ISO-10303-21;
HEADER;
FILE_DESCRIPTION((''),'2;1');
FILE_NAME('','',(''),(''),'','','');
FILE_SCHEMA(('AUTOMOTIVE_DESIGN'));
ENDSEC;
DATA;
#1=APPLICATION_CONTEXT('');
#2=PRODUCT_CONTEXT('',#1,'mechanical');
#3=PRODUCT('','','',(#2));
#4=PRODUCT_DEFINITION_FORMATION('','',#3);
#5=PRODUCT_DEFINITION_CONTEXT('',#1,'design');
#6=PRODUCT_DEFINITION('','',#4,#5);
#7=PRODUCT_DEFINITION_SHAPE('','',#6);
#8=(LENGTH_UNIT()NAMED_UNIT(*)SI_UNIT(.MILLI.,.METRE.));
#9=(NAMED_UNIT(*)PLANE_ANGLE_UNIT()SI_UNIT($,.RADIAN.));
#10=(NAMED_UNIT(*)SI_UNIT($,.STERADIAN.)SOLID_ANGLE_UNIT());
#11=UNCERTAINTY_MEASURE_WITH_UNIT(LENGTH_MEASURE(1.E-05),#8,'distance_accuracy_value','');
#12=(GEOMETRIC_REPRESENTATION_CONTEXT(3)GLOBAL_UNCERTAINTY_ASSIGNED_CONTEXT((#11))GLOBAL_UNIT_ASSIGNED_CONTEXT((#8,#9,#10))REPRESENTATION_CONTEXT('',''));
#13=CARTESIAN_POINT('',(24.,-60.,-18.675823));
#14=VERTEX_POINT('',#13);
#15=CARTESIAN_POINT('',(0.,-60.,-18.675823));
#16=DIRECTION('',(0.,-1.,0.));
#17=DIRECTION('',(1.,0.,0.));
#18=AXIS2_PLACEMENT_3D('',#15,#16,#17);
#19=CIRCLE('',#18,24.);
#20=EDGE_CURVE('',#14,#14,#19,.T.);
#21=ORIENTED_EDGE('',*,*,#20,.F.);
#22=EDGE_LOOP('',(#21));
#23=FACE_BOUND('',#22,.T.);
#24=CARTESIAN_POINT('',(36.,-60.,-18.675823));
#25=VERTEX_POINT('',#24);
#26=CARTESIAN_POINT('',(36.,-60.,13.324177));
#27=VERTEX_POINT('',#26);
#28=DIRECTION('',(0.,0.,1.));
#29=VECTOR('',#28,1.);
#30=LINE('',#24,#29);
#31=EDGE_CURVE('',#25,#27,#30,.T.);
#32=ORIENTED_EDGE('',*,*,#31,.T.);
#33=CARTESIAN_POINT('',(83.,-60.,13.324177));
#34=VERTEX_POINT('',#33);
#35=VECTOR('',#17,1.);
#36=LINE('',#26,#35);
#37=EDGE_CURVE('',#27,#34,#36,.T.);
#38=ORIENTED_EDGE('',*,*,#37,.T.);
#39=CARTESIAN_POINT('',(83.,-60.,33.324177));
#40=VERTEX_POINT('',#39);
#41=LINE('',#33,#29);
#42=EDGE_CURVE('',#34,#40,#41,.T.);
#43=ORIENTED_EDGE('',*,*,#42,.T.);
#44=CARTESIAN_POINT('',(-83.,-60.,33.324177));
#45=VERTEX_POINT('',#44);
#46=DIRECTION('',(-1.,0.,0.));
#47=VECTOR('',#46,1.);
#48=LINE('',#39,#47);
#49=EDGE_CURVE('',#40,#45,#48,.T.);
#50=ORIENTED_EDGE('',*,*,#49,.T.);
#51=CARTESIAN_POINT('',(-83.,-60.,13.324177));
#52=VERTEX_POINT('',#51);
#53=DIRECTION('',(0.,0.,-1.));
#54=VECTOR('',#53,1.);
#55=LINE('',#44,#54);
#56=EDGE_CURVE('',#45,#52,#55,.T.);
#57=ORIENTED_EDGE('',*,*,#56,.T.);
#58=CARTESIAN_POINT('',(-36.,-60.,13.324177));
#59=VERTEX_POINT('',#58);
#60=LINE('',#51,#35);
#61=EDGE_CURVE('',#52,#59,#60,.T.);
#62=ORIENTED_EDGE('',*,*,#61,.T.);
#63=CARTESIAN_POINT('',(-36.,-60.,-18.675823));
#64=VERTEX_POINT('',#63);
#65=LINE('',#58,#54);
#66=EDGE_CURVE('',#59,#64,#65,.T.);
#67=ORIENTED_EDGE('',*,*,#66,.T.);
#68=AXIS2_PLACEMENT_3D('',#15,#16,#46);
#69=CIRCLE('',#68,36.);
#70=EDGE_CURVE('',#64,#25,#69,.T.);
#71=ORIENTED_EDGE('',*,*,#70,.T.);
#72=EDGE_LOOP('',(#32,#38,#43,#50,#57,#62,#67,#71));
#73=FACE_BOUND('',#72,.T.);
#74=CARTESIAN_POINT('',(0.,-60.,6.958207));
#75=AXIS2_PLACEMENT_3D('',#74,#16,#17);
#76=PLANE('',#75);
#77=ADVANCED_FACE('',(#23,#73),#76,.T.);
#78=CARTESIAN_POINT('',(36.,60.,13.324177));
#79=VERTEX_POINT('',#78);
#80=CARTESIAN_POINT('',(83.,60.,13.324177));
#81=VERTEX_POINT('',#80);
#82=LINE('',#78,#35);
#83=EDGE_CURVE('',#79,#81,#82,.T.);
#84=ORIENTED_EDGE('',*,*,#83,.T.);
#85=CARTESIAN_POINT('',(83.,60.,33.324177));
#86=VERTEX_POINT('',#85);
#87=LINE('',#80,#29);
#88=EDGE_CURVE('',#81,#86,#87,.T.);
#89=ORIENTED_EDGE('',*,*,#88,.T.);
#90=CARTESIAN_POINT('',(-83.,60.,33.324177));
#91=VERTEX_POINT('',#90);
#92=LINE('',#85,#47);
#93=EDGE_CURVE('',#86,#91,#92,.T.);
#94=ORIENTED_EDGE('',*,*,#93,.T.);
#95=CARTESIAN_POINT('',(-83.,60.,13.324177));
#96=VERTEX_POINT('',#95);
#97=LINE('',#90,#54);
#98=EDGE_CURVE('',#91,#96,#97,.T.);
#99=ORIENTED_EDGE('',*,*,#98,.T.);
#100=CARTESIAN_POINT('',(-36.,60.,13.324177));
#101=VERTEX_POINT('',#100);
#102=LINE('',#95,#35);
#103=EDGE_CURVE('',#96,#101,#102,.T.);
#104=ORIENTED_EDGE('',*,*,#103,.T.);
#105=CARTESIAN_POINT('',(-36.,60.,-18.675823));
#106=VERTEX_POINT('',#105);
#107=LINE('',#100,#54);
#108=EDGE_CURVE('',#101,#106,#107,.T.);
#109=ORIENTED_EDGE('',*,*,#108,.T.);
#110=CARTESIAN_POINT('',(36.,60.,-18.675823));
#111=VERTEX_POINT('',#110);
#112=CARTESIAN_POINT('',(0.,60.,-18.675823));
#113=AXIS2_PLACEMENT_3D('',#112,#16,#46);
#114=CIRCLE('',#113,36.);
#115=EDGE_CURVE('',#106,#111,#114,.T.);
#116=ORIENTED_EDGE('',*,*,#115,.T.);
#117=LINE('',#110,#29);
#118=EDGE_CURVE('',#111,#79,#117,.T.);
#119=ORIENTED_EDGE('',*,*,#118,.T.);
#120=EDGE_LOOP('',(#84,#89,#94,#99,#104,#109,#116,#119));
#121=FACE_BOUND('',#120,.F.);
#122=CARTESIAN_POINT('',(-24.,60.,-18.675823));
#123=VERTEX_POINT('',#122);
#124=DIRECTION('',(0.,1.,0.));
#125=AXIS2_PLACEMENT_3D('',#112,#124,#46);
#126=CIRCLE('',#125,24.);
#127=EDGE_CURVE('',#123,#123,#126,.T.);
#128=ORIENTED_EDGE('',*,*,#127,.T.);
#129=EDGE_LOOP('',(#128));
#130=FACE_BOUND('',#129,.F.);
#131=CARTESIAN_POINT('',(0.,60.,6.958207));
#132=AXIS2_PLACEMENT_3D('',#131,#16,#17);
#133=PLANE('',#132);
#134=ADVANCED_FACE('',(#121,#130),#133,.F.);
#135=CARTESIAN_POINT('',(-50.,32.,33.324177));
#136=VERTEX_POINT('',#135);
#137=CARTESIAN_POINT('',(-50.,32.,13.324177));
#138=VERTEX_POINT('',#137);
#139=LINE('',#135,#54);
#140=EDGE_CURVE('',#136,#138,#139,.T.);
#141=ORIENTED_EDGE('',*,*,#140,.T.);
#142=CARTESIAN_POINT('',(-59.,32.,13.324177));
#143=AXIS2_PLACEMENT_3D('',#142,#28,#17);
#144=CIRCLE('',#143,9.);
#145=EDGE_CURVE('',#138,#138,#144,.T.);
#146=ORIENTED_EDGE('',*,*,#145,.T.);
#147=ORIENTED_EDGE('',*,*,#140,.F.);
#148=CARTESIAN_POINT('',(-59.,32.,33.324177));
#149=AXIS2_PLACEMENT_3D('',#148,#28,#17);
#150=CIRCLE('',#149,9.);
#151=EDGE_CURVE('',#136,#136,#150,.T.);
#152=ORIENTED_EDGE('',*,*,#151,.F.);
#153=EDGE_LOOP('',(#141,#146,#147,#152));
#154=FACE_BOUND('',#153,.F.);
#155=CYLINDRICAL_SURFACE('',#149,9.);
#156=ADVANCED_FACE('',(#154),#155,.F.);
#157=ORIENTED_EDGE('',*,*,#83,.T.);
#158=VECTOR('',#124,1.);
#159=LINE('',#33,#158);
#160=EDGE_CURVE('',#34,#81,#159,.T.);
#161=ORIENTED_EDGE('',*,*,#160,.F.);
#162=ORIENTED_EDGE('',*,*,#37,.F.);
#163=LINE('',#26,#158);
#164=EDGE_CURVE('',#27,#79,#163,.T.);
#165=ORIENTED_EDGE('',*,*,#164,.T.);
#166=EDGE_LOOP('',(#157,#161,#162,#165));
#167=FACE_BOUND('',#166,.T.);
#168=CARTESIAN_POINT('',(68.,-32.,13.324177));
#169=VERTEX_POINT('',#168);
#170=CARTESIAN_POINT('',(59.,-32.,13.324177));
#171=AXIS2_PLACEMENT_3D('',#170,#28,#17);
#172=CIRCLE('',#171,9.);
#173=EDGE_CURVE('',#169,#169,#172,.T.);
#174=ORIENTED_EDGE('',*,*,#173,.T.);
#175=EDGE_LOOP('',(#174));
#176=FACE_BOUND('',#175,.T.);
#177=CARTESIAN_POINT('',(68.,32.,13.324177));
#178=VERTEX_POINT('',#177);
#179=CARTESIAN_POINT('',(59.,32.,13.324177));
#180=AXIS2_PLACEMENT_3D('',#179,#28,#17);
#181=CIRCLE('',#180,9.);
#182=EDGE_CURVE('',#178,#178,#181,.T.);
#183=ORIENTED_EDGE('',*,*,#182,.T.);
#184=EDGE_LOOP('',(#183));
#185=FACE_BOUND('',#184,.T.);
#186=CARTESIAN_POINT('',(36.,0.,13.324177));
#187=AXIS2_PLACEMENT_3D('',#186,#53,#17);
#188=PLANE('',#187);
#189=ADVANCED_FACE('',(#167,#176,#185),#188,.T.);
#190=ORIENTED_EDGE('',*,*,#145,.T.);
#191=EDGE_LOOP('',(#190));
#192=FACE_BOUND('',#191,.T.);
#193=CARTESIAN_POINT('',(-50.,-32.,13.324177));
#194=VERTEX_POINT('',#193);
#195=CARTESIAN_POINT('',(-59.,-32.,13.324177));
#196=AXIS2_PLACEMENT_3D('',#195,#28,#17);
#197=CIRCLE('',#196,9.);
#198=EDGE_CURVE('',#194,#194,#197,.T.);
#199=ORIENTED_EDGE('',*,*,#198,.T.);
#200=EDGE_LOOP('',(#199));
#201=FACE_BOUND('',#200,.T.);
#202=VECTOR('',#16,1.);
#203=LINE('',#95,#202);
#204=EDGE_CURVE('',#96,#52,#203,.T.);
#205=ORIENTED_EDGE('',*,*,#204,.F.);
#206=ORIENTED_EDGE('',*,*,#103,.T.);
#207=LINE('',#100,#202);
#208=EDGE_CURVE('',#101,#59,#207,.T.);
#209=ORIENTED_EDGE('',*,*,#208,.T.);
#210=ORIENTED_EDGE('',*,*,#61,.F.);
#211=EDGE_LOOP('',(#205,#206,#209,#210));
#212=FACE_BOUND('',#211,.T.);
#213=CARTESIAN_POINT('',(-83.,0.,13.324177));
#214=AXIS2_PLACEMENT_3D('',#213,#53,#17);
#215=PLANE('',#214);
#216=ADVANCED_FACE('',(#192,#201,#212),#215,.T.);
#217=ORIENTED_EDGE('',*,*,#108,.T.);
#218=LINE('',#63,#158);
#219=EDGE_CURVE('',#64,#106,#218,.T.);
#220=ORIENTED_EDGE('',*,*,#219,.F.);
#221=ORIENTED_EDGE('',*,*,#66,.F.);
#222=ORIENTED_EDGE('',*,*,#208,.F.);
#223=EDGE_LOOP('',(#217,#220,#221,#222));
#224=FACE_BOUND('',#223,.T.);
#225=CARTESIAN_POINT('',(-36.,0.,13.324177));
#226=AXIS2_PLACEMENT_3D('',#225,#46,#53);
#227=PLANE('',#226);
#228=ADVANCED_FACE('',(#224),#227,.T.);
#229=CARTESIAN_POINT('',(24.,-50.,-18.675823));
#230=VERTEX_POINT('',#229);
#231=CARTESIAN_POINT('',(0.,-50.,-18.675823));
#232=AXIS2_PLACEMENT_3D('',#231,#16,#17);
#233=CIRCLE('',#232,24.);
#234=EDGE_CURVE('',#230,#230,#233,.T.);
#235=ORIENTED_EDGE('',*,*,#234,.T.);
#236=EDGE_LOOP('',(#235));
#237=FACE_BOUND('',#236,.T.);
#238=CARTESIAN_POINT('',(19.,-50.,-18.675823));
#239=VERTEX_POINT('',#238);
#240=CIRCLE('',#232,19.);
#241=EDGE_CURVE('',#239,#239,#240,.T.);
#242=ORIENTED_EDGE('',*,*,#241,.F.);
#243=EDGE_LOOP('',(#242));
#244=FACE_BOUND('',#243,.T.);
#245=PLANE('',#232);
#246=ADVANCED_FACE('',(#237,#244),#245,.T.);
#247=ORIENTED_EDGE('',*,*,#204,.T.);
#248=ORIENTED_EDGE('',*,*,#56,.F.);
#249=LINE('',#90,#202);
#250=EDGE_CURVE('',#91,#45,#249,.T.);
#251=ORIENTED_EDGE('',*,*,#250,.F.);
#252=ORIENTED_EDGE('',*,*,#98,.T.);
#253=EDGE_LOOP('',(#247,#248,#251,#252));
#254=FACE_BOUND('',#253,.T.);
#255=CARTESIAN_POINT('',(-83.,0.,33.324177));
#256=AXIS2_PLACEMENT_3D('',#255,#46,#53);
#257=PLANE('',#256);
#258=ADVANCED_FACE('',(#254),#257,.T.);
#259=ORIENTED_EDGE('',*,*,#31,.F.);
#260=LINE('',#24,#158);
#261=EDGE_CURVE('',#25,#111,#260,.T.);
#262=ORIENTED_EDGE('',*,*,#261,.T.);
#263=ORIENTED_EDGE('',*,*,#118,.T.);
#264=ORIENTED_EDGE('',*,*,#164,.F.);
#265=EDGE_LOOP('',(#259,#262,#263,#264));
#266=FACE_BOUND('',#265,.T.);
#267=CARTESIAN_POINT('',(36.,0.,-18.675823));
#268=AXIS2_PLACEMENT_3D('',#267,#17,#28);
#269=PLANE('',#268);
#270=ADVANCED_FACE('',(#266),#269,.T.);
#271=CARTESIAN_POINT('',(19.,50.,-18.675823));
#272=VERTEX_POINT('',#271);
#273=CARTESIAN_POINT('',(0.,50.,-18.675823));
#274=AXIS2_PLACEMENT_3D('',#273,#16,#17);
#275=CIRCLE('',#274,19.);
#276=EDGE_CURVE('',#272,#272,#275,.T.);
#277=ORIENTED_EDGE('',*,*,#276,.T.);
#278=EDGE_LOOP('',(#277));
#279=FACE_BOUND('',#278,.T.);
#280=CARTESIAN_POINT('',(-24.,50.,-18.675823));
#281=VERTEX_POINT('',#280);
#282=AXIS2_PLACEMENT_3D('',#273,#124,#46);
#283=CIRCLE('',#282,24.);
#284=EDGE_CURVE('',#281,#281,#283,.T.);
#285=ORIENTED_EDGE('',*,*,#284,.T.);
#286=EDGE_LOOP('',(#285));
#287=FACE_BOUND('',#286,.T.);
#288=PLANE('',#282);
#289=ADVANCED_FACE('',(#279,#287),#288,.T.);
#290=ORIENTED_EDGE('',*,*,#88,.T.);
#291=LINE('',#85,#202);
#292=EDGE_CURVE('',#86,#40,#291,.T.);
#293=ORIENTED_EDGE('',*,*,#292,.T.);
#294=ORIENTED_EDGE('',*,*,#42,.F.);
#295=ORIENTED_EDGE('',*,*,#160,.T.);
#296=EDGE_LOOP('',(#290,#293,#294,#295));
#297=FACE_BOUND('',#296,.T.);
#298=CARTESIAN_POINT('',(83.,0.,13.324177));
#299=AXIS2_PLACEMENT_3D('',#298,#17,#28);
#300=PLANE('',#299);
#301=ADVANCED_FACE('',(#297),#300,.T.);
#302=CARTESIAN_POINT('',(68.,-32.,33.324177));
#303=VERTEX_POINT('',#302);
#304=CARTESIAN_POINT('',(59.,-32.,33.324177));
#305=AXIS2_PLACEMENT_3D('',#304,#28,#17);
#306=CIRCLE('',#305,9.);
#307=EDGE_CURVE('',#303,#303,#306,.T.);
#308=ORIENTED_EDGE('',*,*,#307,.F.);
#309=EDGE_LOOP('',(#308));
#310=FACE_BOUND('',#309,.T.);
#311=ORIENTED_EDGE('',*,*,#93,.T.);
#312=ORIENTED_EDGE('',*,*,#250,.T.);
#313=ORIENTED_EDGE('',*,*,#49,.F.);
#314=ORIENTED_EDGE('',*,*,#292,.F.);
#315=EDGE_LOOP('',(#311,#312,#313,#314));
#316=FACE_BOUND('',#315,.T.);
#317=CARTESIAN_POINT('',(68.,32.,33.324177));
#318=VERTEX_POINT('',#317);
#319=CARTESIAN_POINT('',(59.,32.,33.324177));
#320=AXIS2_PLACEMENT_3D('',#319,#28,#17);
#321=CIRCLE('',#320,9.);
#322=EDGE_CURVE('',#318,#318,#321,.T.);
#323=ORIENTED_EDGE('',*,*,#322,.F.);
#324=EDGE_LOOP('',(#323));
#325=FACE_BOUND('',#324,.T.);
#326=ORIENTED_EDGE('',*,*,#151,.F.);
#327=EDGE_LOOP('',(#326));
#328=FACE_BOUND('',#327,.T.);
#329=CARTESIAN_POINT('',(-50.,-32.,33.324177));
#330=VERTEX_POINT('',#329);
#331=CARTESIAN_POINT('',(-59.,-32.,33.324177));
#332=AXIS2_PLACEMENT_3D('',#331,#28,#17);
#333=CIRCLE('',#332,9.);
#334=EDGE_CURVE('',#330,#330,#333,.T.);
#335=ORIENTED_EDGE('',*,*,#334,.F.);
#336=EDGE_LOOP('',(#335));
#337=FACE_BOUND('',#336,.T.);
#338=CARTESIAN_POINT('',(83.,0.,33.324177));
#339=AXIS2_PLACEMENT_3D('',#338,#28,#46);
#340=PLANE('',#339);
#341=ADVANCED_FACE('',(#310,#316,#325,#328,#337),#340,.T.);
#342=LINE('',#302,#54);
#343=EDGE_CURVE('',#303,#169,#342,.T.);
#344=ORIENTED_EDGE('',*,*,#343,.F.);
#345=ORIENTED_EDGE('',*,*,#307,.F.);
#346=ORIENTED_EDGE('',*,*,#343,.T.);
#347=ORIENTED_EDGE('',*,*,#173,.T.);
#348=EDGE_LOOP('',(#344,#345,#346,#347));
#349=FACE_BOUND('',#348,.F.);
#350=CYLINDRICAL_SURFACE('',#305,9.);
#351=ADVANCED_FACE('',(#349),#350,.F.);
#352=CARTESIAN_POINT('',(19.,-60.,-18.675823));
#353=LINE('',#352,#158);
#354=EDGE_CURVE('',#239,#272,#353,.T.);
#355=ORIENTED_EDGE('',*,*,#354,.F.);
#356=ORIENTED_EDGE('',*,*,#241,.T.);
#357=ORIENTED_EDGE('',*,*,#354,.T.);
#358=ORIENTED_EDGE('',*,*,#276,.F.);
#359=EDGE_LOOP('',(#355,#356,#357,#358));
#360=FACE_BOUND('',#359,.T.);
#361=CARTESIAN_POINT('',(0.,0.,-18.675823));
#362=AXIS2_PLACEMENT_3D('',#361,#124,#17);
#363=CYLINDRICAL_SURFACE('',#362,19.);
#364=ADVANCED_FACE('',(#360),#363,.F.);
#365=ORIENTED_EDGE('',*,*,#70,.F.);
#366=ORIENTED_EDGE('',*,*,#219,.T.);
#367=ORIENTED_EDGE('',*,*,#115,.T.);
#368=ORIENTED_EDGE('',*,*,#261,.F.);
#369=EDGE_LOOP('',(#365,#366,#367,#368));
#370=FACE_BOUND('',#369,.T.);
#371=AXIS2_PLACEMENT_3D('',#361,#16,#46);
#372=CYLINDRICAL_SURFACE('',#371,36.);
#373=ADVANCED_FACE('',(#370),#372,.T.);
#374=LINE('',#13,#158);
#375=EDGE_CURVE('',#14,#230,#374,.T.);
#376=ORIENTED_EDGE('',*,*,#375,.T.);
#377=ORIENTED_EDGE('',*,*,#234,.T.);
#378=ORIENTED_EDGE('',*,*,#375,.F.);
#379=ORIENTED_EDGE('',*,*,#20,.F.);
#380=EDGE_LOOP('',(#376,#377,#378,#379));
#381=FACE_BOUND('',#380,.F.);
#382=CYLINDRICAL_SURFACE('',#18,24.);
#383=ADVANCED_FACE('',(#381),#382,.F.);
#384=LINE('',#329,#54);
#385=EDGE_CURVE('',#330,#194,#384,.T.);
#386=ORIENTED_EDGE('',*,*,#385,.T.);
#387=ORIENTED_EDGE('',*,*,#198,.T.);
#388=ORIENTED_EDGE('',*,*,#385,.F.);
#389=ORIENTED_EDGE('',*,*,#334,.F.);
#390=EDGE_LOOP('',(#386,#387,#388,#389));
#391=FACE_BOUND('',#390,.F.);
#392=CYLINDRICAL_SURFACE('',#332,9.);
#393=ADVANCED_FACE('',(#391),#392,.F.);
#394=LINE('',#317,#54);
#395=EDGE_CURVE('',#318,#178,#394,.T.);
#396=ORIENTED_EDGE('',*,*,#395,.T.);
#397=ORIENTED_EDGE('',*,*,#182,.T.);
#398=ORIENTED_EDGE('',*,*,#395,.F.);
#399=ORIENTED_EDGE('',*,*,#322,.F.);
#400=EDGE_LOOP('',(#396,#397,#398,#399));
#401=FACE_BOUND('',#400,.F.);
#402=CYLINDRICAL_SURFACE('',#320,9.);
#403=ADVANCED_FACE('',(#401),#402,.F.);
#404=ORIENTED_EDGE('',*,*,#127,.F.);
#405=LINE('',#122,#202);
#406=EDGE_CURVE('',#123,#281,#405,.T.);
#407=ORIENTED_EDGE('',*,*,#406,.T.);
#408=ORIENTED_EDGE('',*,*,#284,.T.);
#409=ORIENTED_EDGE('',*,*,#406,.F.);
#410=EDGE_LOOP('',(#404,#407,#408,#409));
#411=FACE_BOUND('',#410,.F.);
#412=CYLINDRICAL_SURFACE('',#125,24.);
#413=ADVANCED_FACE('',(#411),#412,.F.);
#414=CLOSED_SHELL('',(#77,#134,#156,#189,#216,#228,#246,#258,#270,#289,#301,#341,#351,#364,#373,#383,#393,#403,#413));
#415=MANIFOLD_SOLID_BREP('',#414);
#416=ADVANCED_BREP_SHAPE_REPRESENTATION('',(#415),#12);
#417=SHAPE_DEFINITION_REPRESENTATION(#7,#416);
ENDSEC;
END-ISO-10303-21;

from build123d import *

# Parameters (mm, degrees)
F0_R     = 24
F0_R_2   = 19
F1_DEPTH = 60
F2_R     = 24
F2_R_2   = 19
F3_DEPTH = 10
F4_R     = 24
F4_R_2   = 19
F5_DEPTH = 10
F6_R     = 9
F7_DEPTH = 25


with BuildPart() as f1:
    # F0 (on Front) → F1 (new body, symmetric)
    with BuildSketch(Plane.XZ):
        with BuildLine():
            Line((83, 13.3241766691), (83, 33.3241766691))
            Line((83, 33.3241766691), (-83, 33.3241766691))
            Line((-83, 33.3241766691), (-83, 13.3241766691))
            Line((-83, 13.3241766691), (-36, 13.3241766691))
            Line((-36, 13.3241766691), (-36, -18.6758233309))
            ThreePointArc((-36, -18.6758233309), (0, -54.6758233309), (36, -18.6758233309))
            Line((36, -18.6758233309), (36, 13.3241766691))
            Line((36, 13.3241766691), (83, 13.3241766691))
        make_face()
        with Locations((0, -18.6758233309)):
            Circle(F0_R, mode=Mode.SUBTRACT)
        with Locations((0, -18.6758233309)):
            Circle(F0_R)
        with Locations((0, -18.6758233309)):
            Circle(F0_R_2, mode=Mode.SUBTRACT)
    extrude(amount=F1_DEPTH, both=True)

    # F2 (on face) → F3 (cut)
    with BuildSketch(Plane.XZ.offset(60)):
        with Locations((0, -18.6758233309)):
            Circle(F2_R)
        with Locations((0, -18.6758233309)):
            Circle(F2_R_2, mode=Mode.SUBTRACT)
    extrude(amount=-F3_DEPTH, mode=Mode.SUBTRACT)

    # F4 (on face) → F5 (cut)
    with BuildSketch(Plane(origin=(0, 60, 0), x_dir=(-1, 0, 0), z_dir=(0, 1, 0))):
        with Locations((0, -18.6758233309)):
            Circle(F4_R)
        with Locations((0, -18.6758233309)):
            Circle(F4_R_2, mode=Mode.SUBTRACT)
    extrude(amount=-F5_DEPTH, mode=Mode.SUBTRACT)

    # F6 (on face) → F7 (cut)
    with BuildSketch(Plane.XY.offset(33.3241766691)):
        with Locations((-59, -32)):
            Circle(F6_R)
        with Locations((-59, 32)):
            Circle(F6_R)
        with Locations((59, -32)):
            Circle(F6_R)
        with Locations((59, 32)):
            Circle(F6_R)
    extrude(amount=-F7_DEPTH, mode=Mode.SUBTRACT)


solid = f1.part
